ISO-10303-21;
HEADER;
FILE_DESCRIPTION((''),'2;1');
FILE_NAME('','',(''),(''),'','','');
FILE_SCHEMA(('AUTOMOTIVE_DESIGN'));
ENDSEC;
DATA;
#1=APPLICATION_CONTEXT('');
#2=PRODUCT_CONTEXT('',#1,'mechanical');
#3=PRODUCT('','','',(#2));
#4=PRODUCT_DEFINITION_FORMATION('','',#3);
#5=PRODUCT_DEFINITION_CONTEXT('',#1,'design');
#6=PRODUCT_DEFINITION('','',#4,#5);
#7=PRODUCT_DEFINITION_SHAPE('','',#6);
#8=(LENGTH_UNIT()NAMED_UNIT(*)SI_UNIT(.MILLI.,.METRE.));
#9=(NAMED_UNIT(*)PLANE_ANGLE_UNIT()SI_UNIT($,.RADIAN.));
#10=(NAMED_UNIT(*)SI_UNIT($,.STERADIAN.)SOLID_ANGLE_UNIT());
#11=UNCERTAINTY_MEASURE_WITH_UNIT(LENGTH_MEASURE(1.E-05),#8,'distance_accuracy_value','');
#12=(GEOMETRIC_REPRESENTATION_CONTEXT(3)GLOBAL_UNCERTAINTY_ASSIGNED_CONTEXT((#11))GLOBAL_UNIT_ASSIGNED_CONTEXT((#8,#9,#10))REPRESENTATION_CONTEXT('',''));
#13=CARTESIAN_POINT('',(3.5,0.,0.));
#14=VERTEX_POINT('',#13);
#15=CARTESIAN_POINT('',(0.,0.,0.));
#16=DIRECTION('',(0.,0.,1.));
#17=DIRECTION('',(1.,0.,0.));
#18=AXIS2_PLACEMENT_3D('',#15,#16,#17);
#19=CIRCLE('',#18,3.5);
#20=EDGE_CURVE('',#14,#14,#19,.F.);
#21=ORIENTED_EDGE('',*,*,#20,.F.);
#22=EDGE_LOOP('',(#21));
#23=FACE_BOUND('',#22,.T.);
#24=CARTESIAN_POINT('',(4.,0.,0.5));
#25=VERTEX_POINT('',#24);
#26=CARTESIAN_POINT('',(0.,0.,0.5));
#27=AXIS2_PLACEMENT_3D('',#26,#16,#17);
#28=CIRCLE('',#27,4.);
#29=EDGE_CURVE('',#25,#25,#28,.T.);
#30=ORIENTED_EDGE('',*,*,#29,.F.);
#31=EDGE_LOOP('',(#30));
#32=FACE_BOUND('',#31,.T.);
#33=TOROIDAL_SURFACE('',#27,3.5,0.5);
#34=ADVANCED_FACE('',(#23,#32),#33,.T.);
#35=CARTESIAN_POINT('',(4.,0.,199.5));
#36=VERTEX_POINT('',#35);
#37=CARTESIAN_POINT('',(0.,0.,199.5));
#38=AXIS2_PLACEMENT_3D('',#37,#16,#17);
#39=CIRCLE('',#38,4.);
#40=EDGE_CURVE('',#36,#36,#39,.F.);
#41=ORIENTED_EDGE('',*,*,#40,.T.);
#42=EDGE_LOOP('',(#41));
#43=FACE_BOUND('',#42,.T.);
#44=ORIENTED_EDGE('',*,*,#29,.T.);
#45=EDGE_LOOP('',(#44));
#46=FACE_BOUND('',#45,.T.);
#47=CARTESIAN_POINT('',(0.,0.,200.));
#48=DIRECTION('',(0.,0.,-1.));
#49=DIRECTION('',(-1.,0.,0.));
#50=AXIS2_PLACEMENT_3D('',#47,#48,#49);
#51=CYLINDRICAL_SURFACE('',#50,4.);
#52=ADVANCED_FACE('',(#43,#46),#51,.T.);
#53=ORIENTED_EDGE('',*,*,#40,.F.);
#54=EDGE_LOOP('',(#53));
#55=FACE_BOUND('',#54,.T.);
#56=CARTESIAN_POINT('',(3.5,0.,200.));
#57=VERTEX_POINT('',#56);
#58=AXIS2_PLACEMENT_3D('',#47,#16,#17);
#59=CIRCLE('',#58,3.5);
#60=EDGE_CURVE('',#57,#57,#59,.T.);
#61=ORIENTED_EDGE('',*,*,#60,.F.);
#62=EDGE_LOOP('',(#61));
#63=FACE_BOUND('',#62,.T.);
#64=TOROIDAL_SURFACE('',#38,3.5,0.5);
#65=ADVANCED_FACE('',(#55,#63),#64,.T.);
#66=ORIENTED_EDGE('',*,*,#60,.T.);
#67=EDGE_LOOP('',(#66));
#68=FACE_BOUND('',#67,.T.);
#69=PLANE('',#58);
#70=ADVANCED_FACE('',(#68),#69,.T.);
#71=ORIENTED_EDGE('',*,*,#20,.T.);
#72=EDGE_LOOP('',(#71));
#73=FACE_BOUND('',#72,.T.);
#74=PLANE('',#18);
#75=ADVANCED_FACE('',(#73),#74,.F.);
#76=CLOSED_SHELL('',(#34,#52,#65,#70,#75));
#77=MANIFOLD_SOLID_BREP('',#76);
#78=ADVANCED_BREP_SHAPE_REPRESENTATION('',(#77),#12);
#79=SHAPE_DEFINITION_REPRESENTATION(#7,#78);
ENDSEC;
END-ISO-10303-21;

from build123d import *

# Parameters (mm, degrees)
SKETCH1_R           = 4
BOSS_EXTRUDE1_DEPTH = 200
FILLET1_R           = 0.5


with BuildPart() as part:
    # Sketch1 → Boss-Extrude1 (new body)
    with BuildSketch(Plane.XY):
        Circle(SKETCH1_R)
    extrude(amount=BOSS_EXTRUDE1_DEPTH)

    # Fillet1
    fillet1_edges = [part.edges().sort_by_distance(p)[0] for p in [
        (-4, 0, 0),
        (-4, 0, 200),
    ]]
    fillet(fillet1_edges, radius=FILLET1_R)


solid = part.part
